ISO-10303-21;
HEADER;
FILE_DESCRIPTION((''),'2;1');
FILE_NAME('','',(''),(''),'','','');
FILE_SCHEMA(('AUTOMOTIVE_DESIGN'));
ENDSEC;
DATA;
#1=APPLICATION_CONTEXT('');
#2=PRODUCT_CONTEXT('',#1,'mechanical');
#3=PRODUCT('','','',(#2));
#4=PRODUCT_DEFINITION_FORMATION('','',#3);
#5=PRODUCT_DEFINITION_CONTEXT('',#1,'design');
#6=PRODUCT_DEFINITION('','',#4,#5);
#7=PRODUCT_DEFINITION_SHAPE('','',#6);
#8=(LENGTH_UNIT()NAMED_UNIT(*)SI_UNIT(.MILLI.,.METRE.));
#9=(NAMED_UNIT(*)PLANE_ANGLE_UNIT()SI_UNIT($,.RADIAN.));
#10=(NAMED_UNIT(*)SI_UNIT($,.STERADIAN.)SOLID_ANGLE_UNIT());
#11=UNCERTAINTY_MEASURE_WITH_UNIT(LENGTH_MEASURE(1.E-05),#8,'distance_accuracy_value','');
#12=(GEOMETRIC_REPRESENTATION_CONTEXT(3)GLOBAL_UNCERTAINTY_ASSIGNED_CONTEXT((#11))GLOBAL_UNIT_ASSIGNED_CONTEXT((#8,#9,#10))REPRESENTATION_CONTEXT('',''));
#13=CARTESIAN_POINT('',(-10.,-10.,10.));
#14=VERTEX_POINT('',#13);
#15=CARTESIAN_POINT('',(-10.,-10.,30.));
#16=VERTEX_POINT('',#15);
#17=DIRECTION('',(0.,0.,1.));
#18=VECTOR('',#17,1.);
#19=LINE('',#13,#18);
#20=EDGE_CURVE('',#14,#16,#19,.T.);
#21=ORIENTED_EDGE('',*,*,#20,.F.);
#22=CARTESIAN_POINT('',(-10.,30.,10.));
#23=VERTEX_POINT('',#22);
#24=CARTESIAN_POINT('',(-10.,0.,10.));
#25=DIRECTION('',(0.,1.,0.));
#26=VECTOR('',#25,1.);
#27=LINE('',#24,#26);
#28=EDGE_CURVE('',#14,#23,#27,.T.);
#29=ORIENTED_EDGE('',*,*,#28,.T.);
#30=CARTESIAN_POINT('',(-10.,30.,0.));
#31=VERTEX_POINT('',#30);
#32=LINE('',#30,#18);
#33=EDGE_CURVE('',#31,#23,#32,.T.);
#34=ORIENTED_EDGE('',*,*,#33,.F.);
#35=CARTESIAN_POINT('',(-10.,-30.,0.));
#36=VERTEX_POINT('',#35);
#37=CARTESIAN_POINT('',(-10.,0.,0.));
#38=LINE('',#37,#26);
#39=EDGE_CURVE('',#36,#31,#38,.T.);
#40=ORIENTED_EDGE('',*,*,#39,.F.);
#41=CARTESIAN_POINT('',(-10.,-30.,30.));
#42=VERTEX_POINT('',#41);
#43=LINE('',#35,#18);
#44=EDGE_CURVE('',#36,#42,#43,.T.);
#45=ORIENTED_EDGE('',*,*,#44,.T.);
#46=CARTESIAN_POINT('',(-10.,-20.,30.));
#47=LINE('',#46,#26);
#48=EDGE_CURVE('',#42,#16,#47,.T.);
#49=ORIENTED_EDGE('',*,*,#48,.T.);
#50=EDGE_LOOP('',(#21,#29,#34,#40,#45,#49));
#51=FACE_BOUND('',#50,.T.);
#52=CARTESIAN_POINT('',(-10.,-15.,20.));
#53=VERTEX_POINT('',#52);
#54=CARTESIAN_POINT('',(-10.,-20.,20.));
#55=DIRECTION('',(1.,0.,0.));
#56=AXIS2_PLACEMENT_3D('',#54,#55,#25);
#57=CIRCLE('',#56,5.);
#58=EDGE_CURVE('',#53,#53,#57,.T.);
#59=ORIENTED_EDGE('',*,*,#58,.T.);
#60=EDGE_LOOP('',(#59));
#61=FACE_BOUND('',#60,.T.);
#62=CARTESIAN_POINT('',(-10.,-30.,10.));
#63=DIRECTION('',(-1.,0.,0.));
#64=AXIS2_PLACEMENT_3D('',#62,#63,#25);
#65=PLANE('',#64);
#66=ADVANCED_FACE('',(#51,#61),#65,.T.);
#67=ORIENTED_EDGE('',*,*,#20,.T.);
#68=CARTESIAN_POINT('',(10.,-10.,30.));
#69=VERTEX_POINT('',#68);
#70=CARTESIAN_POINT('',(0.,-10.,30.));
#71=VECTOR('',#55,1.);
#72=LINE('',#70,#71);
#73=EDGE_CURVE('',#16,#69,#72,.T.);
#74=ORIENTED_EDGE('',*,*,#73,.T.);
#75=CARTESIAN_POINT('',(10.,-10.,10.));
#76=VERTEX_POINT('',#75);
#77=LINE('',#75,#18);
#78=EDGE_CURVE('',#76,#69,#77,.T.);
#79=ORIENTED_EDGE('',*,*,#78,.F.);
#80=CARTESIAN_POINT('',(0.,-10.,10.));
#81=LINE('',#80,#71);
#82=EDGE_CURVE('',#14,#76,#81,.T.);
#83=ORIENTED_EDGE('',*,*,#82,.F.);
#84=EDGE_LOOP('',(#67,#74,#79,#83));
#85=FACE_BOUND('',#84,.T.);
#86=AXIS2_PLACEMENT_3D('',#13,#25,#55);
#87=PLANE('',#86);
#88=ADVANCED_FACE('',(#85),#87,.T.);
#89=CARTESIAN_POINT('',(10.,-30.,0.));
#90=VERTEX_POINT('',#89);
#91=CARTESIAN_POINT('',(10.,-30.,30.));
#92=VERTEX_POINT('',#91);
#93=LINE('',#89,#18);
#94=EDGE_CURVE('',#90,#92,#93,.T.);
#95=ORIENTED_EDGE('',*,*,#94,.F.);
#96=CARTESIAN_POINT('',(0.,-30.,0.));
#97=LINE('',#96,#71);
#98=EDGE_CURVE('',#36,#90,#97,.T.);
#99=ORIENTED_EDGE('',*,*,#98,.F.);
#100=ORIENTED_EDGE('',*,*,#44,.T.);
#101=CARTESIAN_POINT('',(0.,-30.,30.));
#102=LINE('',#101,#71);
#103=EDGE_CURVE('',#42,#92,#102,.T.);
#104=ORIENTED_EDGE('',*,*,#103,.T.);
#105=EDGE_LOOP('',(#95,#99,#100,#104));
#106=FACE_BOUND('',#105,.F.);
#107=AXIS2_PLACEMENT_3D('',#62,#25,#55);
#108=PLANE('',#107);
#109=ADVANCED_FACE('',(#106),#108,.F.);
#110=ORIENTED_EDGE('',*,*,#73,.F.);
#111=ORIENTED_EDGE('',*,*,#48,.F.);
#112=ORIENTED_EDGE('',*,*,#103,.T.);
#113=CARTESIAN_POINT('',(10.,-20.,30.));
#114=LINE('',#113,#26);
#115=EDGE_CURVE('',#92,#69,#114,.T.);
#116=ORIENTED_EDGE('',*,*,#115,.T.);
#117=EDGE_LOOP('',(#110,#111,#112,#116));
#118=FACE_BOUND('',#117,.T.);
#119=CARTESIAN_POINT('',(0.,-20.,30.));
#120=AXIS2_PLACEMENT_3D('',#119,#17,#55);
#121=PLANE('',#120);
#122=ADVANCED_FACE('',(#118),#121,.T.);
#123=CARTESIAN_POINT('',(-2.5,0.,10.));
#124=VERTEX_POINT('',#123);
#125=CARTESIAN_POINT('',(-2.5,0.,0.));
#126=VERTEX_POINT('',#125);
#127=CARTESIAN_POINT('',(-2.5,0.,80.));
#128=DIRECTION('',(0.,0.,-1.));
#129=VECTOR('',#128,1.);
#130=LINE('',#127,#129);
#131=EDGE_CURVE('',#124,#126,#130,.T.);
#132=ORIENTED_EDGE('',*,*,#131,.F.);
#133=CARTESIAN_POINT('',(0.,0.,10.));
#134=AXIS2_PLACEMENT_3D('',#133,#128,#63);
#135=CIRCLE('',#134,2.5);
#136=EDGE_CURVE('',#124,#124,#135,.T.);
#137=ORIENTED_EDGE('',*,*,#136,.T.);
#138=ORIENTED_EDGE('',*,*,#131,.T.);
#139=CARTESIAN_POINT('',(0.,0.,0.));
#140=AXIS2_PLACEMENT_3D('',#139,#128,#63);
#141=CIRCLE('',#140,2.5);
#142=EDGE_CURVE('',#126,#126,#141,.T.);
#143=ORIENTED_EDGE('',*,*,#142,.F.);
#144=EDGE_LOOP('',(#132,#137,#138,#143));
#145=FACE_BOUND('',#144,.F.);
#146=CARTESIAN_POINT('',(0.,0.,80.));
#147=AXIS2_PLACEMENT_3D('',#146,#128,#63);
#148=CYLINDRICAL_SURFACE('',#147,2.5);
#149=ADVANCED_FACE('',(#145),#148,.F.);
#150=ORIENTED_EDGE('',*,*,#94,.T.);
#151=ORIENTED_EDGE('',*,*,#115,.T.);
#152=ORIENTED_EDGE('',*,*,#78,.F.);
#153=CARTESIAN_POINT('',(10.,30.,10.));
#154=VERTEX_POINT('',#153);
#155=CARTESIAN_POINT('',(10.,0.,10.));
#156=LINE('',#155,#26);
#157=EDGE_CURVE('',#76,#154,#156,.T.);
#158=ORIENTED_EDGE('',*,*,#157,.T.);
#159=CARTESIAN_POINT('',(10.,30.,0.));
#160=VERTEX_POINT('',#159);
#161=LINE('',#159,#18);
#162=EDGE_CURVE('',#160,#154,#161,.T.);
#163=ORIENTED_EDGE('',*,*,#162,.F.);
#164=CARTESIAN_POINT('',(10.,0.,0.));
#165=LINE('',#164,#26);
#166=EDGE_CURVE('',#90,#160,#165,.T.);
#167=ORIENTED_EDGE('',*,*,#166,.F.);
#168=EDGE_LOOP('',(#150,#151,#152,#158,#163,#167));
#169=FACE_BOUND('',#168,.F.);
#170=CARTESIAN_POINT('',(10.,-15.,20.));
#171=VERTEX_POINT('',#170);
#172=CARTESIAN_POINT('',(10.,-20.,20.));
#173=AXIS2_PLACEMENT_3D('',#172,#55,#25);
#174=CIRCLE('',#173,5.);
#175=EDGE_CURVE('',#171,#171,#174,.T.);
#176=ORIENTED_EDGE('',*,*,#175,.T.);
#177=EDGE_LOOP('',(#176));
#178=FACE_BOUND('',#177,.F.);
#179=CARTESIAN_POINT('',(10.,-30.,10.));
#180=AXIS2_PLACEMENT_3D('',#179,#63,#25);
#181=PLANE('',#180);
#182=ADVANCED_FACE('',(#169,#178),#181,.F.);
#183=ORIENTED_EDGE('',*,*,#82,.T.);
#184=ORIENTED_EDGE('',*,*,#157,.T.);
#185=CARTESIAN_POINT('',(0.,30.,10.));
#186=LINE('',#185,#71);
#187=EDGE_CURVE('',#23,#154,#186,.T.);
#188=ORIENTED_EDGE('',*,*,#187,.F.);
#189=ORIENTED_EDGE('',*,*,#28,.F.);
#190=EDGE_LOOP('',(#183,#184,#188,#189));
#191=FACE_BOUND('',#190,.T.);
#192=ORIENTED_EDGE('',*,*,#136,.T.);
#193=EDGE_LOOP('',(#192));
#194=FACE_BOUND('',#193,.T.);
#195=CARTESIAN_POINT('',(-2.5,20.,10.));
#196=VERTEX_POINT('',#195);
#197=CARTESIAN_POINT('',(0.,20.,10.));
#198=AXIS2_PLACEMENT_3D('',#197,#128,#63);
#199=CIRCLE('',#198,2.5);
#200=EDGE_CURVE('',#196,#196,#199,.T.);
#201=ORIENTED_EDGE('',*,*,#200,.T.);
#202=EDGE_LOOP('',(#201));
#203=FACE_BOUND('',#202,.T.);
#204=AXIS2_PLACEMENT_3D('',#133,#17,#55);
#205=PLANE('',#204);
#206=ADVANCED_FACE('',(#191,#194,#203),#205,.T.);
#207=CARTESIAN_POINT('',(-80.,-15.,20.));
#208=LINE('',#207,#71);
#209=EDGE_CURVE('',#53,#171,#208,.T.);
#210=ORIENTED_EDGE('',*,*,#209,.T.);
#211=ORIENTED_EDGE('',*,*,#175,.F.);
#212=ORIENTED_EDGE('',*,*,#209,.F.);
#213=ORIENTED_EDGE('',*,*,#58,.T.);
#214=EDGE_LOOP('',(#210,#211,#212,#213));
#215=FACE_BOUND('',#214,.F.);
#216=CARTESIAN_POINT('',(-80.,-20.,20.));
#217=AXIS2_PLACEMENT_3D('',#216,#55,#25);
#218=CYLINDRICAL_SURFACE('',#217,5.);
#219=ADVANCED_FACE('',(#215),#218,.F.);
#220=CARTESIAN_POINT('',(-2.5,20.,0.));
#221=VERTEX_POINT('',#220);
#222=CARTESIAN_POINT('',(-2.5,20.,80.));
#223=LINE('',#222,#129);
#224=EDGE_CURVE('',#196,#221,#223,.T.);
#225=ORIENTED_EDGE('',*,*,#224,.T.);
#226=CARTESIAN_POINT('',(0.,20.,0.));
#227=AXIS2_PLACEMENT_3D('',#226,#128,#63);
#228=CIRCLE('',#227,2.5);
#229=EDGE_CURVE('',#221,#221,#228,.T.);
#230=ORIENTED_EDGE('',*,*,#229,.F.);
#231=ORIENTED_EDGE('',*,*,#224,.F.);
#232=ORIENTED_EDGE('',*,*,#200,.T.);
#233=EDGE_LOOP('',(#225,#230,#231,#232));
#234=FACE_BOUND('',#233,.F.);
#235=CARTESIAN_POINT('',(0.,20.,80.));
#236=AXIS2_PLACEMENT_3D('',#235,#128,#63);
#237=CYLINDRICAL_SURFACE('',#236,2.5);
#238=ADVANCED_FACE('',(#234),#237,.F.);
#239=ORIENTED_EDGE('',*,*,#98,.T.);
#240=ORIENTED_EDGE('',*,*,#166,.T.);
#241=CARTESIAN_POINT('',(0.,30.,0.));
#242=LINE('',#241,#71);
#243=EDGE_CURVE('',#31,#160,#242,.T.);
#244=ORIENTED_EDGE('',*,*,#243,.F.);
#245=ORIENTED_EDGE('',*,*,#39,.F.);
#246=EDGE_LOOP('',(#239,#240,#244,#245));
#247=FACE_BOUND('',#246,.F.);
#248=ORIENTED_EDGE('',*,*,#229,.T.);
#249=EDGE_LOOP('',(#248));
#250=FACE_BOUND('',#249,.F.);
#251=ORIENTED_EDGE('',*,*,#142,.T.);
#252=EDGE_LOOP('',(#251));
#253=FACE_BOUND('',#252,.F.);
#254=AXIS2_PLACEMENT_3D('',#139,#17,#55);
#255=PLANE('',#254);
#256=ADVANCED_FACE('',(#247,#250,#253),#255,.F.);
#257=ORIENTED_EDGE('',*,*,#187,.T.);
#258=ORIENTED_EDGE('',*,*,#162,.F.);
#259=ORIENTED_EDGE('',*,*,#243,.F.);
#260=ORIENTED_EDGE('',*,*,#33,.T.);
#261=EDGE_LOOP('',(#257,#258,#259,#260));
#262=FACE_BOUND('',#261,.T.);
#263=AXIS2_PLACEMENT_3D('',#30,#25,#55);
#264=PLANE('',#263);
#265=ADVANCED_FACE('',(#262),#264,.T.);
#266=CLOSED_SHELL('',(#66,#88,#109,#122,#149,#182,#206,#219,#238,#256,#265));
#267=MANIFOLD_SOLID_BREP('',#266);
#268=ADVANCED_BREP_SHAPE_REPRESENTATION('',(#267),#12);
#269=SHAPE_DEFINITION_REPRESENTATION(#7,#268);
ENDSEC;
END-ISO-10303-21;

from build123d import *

# Parameters (mm, degrees)
F0_W     = 20
F0_H     = 60
F1_DEPTH = 10
F2_W     = 20
F2_H     = 20
F3_DEPTH = 20
F5_D     = 5
F7_D     = 5
F9_D     = 10


with BuildPart() as f1:
    # F0 (on Top) → F1 (new body)
    with BuildSketch(Plane.XY):
        Rectangle(F0_W, F0_H)
    extrude(amount=F1_DEPTH)

    # F2 (on face) → F3 (join)
    with BuildSketch(Plane.XY.offset(10)):
        with Locations((0, -20)):
            Rectangle(F2_W, F2_H)
    extrude(amount=F3_DEPTH)

    # F5 (through all)
    with Locations(Plane.XY.offset(10)):
        with Locations((0, 20)):
            Hole(F5_D / 2)

    # F7 (through all)
    with Locations(Plane.XY.offset(10)):
        with Locations((0, 0)):
            Hole(F7_D / 2)

    # F9 (through all)
    with Locations(Plane(origin=(-10, 0, 0), x_dir=(0, -1, 0), z_dir=(-1, 0, 0))):
        with Locations((20, 20)):
            Hole(F9_D / 2)


solid = f1.part
